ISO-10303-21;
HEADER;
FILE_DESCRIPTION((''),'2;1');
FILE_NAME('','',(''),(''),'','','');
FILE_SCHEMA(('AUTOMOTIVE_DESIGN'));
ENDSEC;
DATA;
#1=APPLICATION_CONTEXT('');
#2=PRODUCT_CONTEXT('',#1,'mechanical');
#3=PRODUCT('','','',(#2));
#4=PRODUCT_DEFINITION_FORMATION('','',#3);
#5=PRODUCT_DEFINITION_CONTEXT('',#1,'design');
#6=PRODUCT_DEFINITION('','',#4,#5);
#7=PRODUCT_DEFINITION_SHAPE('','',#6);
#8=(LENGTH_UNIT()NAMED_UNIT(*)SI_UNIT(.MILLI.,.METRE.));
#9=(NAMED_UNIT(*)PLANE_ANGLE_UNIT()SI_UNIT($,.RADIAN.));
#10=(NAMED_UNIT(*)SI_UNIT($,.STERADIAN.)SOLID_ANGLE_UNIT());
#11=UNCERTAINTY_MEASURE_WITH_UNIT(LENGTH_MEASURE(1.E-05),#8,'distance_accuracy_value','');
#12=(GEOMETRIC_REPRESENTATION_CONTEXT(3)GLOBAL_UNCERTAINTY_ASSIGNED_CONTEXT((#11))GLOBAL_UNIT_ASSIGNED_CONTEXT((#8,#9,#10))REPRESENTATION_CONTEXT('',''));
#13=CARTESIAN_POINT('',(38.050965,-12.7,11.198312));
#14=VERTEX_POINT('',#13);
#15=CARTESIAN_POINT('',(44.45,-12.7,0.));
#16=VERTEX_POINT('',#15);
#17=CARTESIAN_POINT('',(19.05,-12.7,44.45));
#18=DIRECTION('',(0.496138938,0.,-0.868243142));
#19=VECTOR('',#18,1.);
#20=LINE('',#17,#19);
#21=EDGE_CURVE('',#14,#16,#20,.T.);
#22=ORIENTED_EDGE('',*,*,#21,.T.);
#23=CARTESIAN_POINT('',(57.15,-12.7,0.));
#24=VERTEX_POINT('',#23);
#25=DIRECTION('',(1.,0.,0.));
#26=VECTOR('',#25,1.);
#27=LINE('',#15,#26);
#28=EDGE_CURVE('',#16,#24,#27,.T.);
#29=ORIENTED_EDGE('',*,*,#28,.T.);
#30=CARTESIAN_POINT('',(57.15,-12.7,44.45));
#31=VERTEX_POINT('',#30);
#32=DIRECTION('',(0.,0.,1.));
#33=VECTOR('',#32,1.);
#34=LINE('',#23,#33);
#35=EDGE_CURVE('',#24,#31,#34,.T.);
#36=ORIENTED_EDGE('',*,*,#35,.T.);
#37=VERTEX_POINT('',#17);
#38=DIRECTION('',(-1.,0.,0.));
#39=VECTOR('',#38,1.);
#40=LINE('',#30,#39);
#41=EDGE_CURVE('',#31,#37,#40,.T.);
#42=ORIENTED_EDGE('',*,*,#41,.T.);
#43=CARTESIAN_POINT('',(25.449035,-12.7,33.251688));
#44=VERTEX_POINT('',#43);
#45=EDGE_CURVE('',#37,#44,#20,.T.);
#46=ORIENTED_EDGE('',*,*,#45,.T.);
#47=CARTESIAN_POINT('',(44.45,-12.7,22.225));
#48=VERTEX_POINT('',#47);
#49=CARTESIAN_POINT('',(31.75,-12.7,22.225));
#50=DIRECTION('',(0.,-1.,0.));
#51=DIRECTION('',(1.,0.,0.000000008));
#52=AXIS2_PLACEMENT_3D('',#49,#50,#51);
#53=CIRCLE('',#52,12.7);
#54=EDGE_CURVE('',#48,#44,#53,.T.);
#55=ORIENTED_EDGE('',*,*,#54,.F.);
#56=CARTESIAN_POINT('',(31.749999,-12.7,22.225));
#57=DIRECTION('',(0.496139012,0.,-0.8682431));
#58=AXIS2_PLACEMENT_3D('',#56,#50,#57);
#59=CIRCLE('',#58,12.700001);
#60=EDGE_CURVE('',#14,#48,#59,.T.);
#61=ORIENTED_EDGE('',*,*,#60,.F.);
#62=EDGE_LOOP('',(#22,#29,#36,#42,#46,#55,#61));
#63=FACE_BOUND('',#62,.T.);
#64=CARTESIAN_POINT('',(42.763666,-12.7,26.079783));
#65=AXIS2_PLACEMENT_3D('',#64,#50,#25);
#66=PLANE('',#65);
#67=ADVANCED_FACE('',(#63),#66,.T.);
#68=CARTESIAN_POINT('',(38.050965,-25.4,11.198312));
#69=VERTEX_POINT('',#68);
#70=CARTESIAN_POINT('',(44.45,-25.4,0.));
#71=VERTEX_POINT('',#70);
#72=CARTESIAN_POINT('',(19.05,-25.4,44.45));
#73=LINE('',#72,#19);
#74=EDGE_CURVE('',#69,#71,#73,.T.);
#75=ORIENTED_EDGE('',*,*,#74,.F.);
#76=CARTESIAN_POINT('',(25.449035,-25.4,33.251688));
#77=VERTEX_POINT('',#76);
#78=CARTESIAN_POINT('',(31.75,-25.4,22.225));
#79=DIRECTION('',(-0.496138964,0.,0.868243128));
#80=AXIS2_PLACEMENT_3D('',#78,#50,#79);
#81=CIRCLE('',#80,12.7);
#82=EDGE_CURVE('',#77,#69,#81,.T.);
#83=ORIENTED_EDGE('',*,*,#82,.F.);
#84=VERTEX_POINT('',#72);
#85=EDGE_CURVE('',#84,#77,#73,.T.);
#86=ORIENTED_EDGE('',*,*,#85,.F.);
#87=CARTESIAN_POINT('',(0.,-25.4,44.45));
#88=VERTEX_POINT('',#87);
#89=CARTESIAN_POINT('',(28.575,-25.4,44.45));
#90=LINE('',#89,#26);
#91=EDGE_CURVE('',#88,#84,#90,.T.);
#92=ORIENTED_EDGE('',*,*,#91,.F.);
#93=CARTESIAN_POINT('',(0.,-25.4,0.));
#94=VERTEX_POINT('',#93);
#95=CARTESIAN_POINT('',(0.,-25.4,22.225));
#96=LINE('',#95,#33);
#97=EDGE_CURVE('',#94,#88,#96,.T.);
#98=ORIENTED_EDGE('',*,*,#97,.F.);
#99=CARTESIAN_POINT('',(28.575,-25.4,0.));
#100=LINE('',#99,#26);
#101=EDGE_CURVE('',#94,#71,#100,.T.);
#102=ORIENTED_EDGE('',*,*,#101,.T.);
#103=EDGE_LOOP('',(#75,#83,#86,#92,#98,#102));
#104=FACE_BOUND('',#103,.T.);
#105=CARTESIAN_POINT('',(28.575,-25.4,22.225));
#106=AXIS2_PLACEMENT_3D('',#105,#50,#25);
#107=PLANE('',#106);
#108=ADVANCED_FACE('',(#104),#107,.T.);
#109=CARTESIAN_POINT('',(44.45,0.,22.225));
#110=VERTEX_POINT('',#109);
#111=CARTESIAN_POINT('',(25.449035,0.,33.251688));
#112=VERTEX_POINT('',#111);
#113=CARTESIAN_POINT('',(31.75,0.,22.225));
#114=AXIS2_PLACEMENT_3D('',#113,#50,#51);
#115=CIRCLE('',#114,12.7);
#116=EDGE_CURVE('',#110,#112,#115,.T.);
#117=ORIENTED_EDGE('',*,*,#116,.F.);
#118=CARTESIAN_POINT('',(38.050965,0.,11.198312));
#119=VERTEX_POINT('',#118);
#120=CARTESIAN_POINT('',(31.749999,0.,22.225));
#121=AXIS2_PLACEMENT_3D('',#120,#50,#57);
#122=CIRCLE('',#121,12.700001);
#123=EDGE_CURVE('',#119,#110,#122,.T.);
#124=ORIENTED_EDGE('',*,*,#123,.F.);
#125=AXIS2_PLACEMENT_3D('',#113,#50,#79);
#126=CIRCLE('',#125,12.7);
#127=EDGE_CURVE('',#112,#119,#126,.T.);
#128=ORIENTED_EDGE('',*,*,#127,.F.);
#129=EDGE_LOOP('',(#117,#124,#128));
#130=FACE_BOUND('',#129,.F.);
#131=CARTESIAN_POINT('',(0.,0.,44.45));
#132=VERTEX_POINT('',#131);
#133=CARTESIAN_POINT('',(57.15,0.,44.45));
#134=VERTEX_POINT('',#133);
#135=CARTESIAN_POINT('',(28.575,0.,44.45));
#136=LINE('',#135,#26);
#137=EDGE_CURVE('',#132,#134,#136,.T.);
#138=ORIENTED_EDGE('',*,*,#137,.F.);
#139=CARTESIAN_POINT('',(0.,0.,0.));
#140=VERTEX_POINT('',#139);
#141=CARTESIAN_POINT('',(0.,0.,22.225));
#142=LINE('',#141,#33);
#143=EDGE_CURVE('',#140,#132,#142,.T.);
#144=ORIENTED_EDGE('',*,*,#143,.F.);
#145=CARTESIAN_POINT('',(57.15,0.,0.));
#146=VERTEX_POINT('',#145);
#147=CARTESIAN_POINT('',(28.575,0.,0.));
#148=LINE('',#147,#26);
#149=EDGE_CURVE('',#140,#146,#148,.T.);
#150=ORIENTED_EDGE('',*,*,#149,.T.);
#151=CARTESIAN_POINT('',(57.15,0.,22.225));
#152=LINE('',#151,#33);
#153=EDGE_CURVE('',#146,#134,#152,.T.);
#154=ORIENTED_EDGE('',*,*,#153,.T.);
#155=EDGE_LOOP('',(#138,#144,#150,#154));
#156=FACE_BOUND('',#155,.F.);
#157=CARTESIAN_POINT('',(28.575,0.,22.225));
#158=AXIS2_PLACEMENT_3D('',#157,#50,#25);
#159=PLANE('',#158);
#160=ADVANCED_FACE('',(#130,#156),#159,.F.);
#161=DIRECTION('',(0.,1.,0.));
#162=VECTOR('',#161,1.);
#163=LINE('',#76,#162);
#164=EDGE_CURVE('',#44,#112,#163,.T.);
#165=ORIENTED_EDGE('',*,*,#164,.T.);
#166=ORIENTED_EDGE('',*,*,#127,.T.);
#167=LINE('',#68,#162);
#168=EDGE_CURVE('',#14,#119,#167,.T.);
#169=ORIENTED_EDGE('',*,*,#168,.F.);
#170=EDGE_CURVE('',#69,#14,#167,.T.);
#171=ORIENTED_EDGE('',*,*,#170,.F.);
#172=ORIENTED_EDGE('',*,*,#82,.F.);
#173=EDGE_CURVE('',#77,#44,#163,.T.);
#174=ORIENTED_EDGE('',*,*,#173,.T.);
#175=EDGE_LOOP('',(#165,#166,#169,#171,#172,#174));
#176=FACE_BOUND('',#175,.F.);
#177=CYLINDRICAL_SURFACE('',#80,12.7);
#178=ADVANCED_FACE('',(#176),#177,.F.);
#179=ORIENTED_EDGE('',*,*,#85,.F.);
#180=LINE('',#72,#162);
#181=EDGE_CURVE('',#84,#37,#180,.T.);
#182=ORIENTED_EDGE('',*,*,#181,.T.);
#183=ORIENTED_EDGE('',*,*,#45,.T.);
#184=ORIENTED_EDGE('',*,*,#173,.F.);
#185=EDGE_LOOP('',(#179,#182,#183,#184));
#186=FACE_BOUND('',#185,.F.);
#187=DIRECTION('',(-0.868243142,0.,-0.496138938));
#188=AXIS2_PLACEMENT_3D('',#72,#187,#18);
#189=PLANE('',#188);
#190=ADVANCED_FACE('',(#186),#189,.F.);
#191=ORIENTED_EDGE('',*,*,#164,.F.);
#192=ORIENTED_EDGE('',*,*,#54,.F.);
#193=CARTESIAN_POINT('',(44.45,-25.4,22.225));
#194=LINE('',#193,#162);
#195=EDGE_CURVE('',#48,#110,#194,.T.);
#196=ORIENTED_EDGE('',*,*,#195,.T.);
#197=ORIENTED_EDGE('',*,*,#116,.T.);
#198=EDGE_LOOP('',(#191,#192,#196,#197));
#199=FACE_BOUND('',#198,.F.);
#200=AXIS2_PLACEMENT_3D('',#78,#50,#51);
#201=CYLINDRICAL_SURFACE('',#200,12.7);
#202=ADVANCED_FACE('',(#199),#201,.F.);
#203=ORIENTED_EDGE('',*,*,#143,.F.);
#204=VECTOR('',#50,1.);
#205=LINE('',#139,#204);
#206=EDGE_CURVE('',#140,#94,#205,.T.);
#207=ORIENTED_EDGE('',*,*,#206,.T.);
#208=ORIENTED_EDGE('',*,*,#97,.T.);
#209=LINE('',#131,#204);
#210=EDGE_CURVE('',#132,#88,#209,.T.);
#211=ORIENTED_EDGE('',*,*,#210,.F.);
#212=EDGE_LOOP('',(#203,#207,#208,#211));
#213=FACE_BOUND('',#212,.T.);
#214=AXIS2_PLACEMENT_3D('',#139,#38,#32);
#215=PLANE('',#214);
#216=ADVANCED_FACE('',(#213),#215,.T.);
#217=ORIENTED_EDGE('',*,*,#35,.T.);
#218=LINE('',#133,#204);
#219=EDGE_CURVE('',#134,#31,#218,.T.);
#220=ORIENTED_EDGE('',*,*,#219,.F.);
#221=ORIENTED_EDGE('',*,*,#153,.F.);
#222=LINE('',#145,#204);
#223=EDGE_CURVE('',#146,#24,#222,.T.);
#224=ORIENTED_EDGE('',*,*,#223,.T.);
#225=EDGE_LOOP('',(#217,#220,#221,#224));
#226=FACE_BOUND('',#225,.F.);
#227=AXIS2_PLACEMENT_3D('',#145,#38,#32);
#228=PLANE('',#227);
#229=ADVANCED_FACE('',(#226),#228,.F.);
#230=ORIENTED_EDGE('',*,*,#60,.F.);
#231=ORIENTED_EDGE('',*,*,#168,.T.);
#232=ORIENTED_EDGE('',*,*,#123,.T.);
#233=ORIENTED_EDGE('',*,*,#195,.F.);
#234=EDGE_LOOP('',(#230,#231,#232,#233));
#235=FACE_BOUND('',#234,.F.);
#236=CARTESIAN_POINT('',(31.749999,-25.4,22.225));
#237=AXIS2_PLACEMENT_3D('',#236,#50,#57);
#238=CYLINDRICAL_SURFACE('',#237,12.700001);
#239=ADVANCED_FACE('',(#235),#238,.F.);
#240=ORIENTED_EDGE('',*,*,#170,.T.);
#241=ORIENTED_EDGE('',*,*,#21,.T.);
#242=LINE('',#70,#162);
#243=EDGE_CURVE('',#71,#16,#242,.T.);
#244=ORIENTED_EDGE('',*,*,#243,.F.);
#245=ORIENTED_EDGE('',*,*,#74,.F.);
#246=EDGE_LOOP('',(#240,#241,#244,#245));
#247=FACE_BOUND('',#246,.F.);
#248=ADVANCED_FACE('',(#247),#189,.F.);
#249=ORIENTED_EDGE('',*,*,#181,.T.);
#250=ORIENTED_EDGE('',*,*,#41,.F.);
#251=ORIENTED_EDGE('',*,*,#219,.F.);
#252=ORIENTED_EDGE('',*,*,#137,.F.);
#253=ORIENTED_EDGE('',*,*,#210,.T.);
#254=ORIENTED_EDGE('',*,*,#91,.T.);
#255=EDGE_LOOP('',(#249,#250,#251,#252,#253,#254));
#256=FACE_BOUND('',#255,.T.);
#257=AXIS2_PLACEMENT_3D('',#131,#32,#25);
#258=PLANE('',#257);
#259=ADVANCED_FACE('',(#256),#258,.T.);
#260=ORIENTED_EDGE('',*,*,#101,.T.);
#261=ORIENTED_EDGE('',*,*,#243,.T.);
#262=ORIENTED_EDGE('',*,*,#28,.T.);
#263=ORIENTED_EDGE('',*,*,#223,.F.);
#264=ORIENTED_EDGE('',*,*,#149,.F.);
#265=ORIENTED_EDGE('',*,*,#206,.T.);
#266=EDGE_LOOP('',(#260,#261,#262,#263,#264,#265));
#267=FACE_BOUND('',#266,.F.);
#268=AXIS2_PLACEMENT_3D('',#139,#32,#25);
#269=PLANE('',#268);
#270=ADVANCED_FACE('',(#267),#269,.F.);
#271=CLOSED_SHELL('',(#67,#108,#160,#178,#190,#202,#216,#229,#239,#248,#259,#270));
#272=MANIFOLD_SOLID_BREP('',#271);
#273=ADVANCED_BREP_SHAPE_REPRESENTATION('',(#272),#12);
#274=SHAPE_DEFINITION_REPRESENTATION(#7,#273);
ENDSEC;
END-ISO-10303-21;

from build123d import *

# Parameters (mm, degrees)
F0_W     = 57.15
F0_H     = 44.45
F1_DEPTH = 25.4
F3_DEPTH = 12.7
F5_DEPTH = 25.401


with BuildPart() as f1:
    # F0 (on Front) → F1 (new body)
    with BuildSketch(Plane.XZ):
        with Locations((28.575, 22.225)):
            Rectangle(F0_W, F0_H)
    extrude(amount=F1_DEPTH)

    # F2 (on face) → F3 (cut)
    with BuildSketch(Plane.XZ.offset(25.4)):
        Polygon((57.15, 44.45), (19.05, 44.45), (44.45, 0), (57.15, 0), align=None)
    extrude(amount=-F3_DEPTH, mode=Mode.SUBTRACT)

    # F4 (on face) → F5 (cut, through all)
    with BuildSketch(Plane.XZ.offset(25.4)):
        with BuildLine():
            Line((38.050965, 11.198312), (25.449035, 33.251688))
            ThreePointArc((25.449035, 33.251688), (20.723312, 15.924035), (38.050965, 11.198312))
        make_face()
        with BuildLine():
            ThreePointArc((38.050965, 11.198312), (42.734358, 15.850529), (44.45, 22.225))
            ThreePointArc((44.45, 22.225), (38.124471, 33.209358), (25.449035, 33.251688))
            Line((25.449035, 33.251688), (38.050965, 11.198312))
        make_face()
    extrude(amount=-F5_DEPTH, mode=Mode.SUBTRACT)


solid = f1.part
